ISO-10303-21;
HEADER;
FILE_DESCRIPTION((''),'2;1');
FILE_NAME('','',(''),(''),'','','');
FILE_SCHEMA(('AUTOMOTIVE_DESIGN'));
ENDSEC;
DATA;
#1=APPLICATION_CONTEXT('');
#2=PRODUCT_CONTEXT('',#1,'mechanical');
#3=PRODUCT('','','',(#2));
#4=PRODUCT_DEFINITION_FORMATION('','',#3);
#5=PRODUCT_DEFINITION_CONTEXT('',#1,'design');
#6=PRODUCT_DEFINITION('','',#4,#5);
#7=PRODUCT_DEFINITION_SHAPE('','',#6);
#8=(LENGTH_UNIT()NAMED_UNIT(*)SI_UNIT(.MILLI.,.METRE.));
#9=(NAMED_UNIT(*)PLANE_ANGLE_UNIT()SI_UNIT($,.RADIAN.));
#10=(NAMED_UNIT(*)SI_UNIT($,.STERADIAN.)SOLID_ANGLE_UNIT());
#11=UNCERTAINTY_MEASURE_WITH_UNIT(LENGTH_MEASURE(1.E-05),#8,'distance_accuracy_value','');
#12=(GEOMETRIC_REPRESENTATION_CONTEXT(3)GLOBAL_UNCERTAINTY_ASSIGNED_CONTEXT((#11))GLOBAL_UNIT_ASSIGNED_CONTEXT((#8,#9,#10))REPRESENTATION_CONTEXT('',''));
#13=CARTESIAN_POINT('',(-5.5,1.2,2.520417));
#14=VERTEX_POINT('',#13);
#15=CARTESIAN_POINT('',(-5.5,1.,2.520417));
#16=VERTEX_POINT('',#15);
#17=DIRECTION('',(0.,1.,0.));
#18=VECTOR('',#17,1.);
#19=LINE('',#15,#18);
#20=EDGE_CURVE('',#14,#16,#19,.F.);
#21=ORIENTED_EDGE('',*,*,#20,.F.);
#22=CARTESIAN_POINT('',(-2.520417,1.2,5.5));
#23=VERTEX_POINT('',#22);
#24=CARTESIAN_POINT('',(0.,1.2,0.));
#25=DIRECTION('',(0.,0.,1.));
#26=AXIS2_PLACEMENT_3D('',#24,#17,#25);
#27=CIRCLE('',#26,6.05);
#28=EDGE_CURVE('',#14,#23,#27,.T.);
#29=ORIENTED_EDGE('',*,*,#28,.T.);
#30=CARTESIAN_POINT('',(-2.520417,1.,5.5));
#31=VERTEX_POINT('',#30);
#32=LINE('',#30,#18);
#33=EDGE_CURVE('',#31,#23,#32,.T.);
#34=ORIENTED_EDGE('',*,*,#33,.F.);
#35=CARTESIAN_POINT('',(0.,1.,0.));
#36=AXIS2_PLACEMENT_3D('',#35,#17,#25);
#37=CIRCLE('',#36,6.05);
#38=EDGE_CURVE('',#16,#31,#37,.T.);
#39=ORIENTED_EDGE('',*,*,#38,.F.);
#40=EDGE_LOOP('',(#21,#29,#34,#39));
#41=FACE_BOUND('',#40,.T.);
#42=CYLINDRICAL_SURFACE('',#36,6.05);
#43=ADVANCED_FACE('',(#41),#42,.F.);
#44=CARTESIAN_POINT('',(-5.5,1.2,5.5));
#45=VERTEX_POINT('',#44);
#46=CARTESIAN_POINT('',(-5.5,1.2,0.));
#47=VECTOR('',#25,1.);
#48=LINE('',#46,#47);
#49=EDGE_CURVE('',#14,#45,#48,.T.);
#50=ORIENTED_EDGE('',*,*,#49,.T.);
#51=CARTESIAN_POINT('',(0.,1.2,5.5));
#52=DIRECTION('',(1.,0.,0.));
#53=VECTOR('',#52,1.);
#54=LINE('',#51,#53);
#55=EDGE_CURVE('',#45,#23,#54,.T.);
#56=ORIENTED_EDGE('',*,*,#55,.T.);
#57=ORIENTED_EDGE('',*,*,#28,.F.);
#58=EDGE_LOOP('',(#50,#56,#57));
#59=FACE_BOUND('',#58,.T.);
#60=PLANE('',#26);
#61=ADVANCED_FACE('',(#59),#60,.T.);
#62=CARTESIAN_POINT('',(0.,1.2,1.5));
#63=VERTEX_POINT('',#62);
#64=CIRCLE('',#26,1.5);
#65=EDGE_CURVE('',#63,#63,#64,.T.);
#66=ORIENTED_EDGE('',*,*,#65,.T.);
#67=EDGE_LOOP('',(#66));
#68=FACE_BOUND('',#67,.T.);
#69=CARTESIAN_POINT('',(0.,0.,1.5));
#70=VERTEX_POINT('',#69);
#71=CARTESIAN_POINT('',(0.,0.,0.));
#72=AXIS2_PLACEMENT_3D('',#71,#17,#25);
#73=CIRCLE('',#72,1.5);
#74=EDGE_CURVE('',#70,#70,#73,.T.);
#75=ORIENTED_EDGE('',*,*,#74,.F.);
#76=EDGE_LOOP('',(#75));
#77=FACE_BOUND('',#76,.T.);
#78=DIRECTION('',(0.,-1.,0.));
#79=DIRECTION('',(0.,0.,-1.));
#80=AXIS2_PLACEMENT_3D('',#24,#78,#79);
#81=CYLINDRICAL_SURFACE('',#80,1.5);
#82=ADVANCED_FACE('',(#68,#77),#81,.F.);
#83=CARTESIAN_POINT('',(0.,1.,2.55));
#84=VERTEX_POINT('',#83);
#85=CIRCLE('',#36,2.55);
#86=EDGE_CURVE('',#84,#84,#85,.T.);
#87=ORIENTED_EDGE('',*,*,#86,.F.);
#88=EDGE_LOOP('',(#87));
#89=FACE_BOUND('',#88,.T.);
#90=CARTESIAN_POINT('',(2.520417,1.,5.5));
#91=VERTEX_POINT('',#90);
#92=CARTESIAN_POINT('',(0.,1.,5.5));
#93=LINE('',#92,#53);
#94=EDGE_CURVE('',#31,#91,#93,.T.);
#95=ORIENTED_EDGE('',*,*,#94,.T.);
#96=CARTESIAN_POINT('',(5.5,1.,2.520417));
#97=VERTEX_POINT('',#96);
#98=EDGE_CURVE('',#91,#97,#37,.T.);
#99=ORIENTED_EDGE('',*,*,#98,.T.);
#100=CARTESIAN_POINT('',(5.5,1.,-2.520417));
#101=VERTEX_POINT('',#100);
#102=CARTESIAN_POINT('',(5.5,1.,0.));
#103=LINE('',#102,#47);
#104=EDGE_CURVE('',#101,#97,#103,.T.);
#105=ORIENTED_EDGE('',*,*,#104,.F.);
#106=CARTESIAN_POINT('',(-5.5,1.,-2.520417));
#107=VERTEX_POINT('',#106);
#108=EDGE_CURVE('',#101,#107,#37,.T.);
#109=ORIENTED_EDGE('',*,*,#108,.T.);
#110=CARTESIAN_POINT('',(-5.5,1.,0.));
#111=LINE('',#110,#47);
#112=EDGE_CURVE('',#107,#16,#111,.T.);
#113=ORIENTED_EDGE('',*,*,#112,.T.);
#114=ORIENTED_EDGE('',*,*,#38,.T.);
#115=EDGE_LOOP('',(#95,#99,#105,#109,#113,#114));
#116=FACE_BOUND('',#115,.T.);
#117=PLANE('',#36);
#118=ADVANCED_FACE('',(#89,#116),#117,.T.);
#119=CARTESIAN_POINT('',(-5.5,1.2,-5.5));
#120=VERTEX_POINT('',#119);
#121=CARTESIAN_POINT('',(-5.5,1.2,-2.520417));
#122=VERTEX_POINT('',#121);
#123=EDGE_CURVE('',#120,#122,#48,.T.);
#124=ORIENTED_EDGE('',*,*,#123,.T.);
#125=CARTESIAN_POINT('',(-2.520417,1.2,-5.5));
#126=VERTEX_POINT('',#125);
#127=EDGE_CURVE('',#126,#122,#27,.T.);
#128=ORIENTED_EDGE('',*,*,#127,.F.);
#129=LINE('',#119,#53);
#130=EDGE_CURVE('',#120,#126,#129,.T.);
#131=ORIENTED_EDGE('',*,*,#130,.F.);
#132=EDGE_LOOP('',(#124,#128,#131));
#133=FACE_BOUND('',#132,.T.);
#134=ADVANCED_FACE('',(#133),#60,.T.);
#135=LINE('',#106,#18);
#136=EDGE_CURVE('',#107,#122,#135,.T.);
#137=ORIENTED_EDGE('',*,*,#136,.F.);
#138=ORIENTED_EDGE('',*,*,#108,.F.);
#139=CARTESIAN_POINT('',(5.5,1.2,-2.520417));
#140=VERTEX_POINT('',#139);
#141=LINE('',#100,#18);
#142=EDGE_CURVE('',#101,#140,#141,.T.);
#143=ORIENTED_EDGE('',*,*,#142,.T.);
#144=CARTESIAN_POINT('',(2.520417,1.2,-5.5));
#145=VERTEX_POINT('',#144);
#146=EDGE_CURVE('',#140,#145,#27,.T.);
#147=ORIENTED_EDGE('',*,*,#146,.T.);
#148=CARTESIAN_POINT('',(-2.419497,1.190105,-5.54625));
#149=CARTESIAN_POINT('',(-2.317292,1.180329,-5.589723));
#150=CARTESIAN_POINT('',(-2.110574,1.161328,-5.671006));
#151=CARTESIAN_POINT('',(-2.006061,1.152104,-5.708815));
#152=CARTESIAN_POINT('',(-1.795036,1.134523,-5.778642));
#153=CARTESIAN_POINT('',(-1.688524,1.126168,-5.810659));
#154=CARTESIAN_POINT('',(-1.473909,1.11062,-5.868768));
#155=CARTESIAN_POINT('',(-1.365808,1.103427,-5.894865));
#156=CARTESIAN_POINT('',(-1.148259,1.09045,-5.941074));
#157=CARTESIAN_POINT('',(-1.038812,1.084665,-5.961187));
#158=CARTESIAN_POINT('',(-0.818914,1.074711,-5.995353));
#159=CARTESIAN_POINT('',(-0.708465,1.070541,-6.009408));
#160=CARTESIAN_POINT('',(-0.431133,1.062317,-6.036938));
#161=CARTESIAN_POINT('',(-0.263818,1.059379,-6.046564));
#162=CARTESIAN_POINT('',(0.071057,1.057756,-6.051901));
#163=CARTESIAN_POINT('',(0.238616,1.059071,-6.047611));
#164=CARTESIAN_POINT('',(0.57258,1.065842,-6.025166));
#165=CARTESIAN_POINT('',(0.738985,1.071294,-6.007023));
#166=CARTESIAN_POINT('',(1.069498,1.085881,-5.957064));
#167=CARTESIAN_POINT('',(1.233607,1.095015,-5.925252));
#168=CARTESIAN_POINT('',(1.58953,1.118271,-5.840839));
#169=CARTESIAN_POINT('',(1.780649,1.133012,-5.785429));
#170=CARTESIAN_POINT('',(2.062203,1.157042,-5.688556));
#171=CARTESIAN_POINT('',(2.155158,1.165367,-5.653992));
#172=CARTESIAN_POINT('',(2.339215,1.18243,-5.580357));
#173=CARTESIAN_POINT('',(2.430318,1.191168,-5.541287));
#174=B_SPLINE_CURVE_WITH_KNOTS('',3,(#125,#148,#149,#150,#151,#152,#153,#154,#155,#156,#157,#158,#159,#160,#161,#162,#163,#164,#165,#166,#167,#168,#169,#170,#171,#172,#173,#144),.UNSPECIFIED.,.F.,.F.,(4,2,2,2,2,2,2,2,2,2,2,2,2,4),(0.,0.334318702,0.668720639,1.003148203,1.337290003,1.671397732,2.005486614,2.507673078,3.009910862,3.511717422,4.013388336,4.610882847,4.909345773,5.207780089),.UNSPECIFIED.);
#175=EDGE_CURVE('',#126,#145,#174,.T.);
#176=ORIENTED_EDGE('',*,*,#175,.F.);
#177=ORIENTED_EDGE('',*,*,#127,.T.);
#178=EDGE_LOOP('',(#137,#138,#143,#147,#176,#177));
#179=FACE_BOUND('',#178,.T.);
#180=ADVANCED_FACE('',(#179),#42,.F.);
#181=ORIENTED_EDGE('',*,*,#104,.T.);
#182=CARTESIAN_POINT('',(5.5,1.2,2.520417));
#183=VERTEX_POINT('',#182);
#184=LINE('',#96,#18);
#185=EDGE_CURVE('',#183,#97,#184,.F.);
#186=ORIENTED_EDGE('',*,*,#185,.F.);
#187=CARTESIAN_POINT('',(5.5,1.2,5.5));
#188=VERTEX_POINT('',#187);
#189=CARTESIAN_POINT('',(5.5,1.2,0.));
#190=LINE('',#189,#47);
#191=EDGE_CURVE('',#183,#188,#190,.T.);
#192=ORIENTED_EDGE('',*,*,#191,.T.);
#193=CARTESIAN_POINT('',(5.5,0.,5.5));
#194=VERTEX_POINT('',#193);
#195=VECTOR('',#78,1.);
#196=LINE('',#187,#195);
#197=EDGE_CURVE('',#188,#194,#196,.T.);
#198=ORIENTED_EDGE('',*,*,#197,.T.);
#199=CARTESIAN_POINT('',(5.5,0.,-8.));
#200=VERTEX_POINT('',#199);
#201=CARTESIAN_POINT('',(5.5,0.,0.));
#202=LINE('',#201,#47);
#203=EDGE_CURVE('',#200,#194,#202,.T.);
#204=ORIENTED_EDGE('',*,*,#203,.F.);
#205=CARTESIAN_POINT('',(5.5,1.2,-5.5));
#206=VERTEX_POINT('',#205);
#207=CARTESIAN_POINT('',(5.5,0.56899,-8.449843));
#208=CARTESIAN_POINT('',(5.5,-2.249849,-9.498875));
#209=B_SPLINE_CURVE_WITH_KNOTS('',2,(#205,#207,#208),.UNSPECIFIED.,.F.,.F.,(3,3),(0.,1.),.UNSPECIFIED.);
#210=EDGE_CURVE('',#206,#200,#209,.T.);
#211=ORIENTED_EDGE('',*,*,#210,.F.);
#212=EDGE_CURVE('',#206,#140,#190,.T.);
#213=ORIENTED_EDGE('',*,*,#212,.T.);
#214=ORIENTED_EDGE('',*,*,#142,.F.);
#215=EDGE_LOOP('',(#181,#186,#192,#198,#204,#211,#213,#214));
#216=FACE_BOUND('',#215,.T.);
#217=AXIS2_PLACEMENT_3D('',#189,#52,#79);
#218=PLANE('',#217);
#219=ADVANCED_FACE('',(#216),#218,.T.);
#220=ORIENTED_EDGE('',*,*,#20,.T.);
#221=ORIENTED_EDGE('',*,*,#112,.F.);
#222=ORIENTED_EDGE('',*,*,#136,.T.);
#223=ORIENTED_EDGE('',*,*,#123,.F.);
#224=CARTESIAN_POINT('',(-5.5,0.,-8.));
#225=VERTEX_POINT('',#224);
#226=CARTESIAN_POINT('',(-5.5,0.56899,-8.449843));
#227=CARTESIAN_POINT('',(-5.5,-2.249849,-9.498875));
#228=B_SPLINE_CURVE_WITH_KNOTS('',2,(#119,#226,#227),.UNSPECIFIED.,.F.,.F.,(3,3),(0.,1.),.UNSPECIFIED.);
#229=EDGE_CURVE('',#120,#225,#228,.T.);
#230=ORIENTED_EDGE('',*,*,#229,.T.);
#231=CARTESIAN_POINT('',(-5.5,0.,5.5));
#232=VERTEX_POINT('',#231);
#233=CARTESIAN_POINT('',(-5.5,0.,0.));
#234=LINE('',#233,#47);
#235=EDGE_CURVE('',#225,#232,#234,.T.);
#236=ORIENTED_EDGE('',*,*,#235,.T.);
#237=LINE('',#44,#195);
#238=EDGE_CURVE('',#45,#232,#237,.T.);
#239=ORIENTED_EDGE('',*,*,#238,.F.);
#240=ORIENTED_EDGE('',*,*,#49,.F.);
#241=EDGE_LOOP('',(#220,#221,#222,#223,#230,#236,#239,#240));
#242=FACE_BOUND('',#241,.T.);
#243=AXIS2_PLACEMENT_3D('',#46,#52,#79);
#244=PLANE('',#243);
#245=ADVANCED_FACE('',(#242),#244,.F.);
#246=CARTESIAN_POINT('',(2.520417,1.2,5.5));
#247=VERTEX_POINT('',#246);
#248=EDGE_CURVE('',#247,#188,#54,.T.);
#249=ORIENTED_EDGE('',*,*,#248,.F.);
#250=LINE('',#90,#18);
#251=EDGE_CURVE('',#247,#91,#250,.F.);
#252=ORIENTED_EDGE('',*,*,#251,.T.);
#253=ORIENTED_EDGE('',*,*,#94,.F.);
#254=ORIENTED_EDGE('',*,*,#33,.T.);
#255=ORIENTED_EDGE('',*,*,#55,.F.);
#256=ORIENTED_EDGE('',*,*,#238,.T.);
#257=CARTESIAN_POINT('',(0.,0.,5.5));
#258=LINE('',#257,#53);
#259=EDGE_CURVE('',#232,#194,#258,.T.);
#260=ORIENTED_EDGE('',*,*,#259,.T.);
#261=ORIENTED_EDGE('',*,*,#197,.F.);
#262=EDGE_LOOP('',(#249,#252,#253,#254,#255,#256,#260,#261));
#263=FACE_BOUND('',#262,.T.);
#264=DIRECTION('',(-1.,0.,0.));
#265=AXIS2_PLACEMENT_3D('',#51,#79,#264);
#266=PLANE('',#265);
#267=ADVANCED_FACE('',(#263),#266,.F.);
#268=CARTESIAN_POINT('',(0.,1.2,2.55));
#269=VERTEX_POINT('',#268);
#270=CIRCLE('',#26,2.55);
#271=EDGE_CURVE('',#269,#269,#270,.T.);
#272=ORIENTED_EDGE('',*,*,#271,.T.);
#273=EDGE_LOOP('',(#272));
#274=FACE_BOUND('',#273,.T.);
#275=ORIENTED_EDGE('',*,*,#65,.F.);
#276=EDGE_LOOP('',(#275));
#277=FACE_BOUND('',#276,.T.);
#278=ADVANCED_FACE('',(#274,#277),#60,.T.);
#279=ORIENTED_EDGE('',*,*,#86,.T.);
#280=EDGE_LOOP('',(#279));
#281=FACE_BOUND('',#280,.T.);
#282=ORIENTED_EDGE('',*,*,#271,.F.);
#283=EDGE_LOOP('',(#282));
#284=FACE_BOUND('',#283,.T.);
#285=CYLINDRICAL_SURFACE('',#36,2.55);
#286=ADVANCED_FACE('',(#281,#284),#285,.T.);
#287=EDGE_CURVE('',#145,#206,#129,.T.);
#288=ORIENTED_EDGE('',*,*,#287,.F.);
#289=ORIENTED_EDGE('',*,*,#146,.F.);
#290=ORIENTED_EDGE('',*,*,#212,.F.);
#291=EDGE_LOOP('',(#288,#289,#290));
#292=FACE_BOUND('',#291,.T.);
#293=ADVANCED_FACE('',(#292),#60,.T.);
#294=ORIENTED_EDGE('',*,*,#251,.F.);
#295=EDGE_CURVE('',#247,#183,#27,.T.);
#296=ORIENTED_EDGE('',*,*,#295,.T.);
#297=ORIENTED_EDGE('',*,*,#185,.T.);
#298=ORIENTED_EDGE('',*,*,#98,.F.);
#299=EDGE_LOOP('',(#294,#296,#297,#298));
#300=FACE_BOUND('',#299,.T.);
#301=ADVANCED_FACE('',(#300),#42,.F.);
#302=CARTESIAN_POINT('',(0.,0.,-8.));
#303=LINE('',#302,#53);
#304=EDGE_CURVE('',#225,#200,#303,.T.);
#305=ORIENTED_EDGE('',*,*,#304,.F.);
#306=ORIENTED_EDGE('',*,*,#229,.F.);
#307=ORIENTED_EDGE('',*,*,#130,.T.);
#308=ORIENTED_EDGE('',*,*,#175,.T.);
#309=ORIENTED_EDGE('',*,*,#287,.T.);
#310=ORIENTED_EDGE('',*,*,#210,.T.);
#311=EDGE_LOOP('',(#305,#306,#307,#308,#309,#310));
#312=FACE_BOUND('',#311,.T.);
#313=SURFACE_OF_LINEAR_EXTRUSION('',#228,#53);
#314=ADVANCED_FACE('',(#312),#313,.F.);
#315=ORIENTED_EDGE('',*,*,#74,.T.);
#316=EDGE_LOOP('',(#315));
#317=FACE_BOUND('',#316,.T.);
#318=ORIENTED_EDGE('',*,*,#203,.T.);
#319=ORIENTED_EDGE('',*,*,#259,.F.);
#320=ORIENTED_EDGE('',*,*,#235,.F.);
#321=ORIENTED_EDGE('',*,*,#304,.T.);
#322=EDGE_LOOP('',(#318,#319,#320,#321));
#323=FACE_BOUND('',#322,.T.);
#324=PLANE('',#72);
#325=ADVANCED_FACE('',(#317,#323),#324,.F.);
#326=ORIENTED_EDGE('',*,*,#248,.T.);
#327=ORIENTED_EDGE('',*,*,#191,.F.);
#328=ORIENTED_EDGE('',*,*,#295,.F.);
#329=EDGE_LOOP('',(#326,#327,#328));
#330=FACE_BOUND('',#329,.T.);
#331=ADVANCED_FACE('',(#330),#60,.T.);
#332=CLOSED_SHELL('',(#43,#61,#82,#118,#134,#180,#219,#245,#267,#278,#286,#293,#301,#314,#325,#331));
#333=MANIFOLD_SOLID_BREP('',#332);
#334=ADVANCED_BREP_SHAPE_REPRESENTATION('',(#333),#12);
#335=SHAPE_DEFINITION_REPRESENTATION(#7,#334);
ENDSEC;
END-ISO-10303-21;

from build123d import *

# Parameters (mm, degrees)
SKETCH1_W           = 11
SKETCH1_H           = 11
SKETCH1_R           = 1.5
BOSS_EXTRUDE1_DEPTH = 1.2
SKETCH1_4_W         = 11
SKETCH1_4_H         = 2.5
BOSS_EXTRUDE2_DEPTH = 1.2
CUT_EXTRUDE1_DEPTH  = 14.654303351
SKETCH4_R           = 6.05
SKETCH4_R_2         = 2.55
CUT_EXTRUDE3_DEPTH  = 0.2


with BuildPart() as part:
    # Sketch1 → Boss-Extrude1 (new body)
    with BuildSketch(Plane(origin=(0, 0, 0), x_dir=(1, 0, 0), z_dir=(0, 1, 0))):
        Rectangle(SKETCH1_W, SKETCH1_H)
        Circle(SKETCH1_R, mode=Mode.SUBTRACT)
    extrude(amount=BOSS_EXTRUDE1_DEPTH)

    # Sketch1<4> → Boss-Extrude2 (add)
    with BuildSketch(Plane(origin=(0, 0, 0), x_dir=(1, 0, 0), z_dir=(0, 1, 0))):
        with Locations((0, 6.75)):
            Rectangle(SKETCH1_4_W, SKETCH1_4_H)
    extrude(amount=BOSS_EXTRUDE2_DEPTH)

    # Sketch3 → Cut-Extrude1 (cut, through all)
    with BuildSketch(Plane(origin=(5.5, 0, 0), x_dir=(0, 0, -1), z_dir=(1, 0, 0))):
        with BuildLine():
            Line((8, 1.2), (5.5, 1.2))
            add(Edge.make_bspline(
                [(5.5, 1.2), (6.993685342, 0.880481124), (8, 0)],
                knots=[0, 0, 0, 0.506360877, 0.506360877, 0.506360877], degree=2))
            Line((8, 0), (8, 1.2))
        make_face()
    extrude(amount=-CUT_EXTRUDE1_DEPTH, mode=Mode.SUBTRACT)

    # Sketch4 → Cut-Extrude3 (cut)
    with BuildSketch(Plane(origin=(0, 1.2, 0), x_dir=(1, 0, 0), z_dir=(0, 1, 0))):
        Circle(SKETCH4_R)
        Circle(SKETCH4_R_2, mode=Mode.SUBTRACT)
    extrude(amount=-CUT_EXTRUDE3_DEPTH, mode=Mode.SUBTRACT)


solid = part.part
